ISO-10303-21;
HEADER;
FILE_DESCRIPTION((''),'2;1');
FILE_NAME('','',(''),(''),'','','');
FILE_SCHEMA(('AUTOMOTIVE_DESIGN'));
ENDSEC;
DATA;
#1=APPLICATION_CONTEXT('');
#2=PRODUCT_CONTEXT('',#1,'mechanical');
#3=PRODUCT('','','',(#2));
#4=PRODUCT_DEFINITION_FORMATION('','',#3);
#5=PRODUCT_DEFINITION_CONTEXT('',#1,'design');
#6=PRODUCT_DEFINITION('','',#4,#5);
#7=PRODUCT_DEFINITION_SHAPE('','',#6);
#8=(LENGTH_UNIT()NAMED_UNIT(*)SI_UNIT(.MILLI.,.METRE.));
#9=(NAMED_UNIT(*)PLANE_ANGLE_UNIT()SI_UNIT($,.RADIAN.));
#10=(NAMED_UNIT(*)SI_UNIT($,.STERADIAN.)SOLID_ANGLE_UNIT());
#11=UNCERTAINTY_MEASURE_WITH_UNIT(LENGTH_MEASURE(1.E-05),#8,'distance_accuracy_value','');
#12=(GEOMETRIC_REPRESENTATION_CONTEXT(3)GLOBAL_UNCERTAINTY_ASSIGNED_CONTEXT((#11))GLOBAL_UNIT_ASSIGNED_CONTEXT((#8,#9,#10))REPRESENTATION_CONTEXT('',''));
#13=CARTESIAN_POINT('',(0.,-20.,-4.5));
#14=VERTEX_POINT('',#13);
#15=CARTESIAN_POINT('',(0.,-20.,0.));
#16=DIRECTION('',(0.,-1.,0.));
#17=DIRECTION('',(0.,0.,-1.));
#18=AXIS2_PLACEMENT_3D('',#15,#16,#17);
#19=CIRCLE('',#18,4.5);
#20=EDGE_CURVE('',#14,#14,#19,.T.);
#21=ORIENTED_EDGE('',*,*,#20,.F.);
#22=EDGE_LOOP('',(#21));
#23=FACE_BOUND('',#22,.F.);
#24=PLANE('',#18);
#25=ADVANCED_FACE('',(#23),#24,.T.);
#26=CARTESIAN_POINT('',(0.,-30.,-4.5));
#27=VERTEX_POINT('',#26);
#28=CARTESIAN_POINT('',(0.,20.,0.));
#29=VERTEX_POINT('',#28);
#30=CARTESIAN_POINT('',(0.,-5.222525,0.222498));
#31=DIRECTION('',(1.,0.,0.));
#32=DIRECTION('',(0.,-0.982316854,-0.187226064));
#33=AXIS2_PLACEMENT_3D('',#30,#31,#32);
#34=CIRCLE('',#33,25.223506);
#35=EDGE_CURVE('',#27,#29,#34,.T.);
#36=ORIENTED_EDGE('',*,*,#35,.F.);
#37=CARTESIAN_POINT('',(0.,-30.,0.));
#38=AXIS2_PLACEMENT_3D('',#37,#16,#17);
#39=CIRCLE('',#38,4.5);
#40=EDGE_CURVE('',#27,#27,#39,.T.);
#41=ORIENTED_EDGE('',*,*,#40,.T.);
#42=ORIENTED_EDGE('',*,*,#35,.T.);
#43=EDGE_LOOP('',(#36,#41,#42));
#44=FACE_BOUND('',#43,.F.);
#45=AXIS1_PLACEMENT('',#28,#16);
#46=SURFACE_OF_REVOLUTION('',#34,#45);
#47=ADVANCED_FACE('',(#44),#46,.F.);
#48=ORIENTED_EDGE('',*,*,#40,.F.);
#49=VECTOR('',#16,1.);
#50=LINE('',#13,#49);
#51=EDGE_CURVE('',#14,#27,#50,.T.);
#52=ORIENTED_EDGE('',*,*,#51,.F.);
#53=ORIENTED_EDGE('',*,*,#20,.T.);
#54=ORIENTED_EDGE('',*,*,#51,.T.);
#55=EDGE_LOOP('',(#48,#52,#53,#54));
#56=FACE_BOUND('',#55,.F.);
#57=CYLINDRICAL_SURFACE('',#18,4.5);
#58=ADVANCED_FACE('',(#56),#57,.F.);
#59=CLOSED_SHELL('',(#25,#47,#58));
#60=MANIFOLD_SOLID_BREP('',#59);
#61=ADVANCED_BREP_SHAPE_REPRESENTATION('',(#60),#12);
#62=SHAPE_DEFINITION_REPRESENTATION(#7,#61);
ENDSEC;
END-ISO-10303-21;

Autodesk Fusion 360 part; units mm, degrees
sketch "スケッチ1" plane through (0, 0, 0) normal (1, 0, 0) x (0, 0, -1)
  line L0 (-1.75, 0) -> (-22.5, 0)
  line L1 (0, -20) -> (4.5, -20)
  line L2 (4.5, -20) -> (4.5, -30)
  line L3 (0, 1.75) -> (0, 22.5)
  line L4 (0, 20) -> (0, -20)
  arc A0 (4.5, -30) -> (0, 20) centre (-0.2225, -5.2225) ccw
  dimension "d4" = 4.5
  dimension "d8" = 40
  dimension "d10" = 10
  dimension "d12" = 25.2235
revolve "回転2" add sketch "スケッチ1" angle 360 about axis through (0, 20, 0) along (0, -1, 0)
